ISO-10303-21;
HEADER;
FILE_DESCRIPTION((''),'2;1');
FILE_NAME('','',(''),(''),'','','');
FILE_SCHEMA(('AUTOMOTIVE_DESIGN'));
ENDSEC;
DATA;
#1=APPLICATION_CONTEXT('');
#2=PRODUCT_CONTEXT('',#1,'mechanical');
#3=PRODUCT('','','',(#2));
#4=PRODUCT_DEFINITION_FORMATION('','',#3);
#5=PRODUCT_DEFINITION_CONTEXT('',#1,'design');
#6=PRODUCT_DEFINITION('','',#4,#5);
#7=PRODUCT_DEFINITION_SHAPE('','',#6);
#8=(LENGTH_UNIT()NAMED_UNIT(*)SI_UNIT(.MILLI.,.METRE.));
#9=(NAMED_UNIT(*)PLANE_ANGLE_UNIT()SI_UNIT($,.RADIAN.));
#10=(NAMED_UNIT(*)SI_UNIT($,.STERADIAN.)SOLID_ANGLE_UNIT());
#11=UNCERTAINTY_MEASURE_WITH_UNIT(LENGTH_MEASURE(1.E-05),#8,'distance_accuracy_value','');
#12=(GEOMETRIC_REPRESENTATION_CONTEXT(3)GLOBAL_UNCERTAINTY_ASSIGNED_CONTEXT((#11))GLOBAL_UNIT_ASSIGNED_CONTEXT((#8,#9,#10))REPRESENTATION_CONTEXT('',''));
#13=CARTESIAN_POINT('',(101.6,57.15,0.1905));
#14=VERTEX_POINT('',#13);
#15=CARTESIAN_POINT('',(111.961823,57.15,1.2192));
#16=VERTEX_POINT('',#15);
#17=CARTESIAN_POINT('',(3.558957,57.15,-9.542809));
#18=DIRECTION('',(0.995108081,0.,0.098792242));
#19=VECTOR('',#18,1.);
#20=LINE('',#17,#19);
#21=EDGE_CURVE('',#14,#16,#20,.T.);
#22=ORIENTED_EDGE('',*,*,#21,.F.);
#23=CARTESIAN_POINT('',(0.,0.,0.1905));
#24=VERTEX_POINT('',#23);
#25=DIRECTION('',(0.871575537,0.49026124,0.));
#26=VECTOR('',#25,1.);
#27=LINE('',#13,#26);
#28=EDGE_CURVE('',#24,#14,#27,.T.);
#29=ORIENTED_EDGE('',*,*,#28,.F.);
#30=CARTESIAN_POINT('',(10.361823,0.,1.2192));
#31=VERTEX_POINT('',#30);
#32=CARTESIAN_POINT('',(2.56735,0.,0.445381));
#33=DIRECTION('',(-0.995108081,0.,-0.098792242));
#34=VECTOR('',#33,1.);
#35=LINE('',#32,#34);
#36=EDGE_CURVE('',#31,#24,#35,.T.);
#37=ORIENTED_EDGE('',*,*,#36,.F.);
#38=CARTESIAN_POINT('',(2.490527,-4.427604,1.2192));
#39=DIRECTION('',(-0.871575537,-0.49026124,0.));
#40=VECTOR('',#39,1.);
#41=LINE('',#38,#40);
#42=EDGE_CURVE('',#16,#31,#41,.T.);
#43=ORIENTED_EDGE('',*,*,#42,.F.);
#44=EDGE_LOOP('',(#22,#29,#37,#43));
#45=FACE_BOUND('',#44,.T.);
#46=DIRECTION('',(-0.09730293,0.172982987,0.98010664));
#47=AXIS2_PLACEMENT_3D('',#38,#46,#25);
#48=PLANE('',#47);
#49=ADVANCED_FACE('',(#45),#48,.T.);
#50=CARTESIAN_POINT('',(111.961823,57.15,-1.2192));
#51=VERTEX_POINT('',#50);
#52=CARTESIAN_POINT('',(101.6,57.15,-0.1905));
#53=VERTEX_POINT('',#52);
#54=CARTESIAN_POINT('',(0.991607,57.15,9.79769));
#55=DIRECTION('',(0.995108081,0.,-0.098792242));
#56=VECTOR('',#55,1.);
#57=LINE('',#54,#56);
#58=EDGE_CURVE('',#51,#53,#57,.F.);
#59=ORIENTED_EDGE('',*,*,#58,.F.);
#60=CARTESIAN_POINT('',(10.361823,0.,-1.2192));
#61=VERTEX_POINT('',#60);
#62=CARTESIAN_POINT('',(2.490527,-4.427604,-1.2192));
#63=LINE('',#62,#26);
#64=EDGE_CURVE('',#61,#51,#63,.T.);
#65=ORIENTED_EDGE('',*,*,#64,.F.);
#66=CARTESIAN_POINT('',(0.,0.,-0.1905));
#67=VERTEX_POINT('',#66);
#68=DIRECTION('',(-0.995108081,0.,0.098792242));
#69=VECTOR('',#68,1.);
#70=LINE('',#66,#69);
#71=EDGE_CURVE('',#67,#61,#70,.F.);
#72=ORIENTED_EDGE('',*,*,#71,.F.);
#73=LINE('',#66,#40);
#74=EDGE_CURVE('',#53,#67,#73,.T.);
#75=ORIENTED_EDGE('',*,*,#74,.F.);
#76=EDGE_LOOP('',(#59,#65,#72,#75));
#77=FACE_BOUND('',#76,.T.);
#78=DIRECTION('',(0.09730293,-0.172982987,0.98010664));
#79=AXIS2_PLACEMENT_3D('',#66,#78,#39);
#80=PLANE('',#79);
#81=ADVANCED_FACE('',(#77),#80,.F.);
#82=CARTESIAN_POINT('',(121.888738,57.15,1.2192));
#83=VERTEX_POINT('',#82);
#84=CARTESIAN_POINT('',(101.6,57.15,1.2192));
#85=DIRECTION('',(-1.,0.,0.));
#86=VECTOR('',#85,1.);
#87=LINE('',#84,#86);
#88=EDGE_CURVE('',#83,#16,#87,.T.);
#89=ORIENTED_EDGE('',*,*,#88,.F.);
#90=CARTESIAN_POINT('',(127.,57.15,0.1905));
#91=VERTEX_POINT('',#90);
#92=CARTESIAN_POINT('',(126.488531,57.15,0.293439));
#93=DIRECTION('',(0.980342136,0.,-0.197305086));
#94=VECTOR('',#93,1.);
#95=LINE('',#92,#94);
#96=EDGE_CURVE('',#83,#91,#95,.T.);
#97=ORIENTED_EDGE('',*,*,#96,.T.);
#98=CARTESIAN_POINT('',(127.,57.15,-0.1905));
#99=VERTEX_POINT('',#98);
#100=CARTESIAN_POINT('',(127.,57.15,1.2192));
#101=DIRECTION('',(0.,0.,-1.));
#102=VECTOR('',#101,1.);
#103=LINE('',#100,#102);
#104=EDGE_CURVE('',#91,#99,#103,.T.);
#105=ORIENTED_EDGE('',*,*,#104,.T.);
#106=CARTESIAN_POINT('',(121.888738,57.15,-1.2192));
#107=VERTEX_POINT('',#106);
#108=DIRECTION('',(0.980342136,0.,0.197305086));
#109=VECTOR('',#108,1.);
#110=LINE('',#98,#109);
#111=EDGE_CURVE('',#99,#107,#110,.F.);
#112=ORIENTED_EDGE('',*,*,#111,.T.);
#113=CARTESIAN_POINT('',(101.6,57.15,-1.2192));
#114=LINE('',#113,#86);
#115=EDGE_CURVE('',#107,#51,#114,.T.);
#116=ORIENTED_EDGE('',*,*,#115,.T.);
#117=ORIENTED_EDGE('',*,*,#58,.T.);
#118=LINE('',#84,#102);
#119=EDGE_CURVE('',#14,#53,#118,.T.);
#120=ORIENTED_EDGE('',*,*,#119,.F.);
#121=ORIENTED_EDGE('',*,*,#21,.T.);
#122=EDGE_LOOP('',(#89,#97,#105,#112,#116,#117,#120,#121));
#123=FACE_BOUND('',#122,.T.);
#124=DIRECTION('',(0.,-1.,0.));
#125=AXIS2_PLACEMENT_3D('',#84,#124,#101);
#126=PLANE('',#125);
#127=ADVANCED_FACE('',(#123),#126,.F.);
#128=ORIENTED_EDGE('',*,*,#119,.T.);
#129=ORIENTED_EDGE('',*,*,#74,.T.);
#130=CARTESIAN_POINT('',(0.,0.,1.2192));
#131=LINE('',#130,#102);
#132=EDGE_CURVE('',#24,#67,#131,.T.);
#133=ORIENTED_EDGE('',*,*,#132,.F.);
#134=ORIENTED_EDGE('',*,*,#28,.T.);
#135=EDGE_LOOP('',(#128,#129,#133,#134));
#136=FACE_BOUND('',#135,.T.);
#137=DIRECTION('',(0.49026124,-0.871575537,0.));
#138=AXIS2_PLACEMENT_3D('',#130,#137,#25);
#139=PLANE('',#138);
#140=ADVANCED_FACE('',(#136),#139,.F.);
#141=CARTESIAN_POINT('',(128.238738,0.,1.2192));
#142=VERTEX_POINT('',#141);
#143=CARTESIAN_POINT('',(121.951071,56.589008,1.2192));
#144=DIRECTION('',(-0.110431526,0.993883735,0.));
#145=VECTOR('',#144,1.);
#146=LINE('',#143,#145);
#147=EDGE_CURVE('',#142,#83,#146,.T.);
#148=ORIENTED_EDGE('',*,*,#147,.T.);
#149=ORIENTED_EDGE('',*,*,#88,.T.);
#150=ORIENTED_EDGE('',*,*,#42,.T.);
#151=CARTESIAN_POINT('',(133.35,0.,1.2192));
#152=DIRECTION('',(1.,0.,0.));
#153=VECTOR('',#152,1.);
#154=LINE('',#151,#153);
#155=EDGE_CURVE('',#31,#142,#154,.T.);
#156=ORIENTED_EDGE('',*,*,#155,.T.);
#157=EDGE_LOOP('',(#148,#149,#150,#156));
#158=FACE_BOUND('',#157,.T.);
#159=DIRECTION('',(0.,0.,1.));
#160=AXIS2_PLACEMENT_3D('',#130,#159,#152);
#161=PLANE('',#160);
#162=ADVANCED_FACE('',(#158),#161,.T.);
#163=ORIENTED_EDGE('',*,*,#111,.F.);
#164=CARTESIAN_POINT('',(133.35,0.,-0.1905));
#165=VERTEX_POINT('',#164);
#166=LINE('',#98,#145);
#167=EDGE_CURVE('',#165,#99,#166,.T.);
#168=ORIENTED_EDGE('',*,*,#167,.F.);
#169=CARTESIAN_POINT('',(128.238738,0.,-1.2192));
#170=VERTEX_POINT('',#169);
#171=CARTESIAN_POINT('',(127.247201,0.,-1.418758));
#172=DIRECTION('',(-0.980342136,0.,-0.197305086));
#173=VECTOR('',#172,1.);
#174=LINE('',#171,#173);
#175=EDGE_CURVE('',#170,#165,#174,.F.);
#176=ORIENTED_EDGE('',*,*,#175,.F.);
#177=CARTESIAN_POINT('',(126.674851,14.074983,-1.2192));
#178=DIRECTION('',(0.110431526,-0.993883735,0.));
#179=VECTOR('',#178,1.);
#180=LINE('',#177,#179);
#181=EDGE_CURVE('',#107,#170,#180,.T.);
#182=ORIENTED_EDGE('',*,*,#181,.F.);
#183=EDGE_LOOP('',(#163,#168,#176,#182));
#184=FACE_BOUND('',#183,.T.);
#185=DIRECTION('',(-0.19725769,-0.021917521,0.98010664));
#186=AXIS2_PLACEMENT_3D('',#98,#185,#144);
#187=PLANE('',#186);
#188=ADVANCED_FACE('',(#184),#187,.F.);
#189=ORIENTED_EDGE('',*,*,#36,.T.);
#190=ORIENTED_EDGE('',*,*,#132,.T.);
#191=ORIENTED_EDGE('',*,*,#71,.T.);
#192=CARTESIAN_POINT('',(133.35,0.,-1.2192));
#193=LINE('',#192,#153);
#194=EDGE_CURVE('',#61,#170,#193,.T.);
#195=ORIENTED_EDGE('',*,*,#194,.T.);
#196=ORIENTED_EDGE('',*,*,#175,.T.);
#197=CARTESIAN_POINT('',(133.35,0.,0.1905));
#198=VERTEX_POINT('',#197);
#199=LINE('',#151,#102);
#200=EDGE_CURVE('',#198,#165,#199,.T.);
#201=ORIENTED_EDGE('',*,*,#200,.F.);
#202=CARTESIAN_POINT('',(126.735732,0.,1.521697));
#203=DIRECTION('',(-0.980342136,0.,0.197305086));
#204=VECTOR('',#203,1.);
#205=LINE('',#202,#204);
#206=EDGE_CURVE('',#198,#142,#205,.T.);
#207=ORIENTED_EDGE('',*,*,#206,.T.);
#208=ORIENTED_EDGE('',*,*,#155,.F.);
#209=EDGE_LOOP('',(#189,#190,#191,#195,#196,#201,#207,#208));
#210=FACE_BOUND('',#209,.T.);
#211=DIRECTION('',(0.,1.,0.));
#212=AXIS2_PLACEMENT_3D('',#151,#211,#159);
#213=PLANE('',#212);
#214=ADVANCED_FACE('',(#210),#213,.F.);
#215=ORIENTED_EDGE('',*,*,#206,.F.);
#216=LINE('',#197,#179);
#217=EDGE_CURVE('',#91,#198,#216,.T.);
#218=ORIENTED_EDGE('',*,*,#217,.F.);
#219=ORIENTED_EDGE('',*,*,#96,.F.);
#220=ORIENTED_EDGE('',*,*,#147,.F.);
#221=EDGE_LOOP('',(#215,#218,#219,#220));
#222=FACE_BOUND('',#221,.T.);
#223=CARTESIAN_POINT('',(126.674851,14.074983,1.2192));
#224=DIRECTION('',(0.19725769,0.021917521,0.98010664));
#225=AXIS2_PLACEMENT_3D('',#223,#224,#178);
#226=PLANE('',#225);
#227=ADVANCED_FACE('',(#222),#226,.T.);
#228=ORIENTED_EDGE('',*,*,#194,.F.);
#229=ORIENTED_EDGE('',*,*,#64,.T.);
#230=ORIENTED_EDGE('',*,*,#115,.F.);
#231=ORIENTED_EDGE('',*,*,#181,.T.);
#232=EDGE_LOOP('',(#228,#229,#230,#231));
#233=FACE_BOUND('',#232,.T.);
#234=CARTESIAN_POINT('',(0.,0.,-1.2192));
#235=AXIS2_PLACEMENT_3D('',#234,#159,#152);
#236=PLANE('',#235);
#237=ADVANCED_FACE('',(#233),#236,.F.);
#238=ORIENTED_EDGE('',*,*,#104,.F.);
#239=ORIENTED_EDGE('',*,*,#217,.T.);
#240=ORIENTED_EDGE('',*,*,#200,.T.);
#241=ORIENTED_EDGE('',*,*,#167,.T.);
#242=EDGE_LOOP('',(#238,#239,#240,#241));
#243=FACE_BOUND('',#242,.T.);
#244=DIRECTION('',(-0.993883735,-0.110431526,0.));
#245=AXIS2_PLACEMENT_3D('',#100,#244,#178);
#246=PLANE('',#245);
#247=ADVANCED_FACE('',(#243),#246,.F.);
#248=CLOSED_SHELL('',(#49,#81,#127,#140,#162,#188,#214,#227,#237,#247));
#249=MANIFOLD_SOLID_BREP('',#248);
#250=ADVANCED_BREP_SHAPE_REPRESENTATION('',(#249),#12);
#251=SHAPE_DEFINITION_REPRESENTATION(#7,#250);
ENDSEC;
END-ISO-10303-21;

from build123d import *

# Parameters (mm, degrees)
BOSS_EXTRUDE1_DEPTH   = 1.2192
CHAMFER1_SIZE         = 5.08
CHAMFER1_SIZE2        = 1.0287
CHAMFER1_PART_2_SIZE  = 5.08
CHAMFER1_PART_2_SIZE2 = 1.0287
CHAMFER2_SIZE         = 5.08
CHAMFER2_SIZE2        = 1.0287
CHAMFER2_PART_2_SIZE  = 5.08
CHAMFER2_PART_2_SIZE2 = 1.0287


with BuildPart() as part:
    # Sketch1 → Boss-Extrude1 (new body, symmetric)
    with BuildSketch(Plane.XY):
        Polygon((0, 0), (101.6, 57.15), (127, 57.15), (133.35, 0), align=None)
    extrude(amount=BOSS_EXTRUDE1_DEPTH, both=True)

    # Chamfer1
    chamfer1_edges = [part.edges().sort_by_distance(p)[0] for p in [
        (50.8, 28.575, 1.2192),
    ]]
    chamfer1_side = [part.faces().sort_by_distance(p)[0] for p in [
        (85.09, 22.098, 1.2192),
    ]]
    chamfer(chamfer1_edges, length=CHAMFER1_SIZE, length2=CHAMFER1_SIZE2, reference=chamfer1_side[0])

    # Chamfer1 part 2
    chamfer1_part_2_edges = [part.edges().sort_by_distance(p)[0] for p in [
        (50.8, 28.575, -1.2192),
    ]]
    chamfer1_part_2_side = [part.faces().sort_by_distance(p)[0] for p in [
        (85.09, 22.098, -1.2192),
    ]]
    chamfer(chamfer1_part_2_edges, length=CHAMFER1_PART_2_SIZE, length2=CHAMFER1_PART_2_SIZE2, reference=chamfer1_part_2_side[0])

    # Chamfer2
    chamfer2_edges = [part.edges().sort_by_distance(p)[0] for p in [
        (130.175, 28.575, -1.2192),
    ]]
    chamfer2_side = [part.faces().sort_by_distance(p)[0] for p in [
        (89.460516254, 21.125525936, -1.2192),
    ]]
    chamfer(chamfer2_edges, length=CHAMFER2_SIZE, length2=CHAMFER2_SIZE2, reference=chamfer2_side[0])

    # Chamfer2 part 2
    chamfer2_part_2_edges = [part.edges().sort_by_distance(p)[0] for p in [
        (130.175, 28.575, 1.2192),
    ]]
    chamfer2_part_2_side = [part.faces().sort_by_distance(p)[0] for p in [
        (89.460516254, 21.125525936, 1.2192),
    ]]
    chamfer(chamfer2_part_2_edges, length=CHAMFER2_PART_2_SIZE, length2=CHAMFER2_PART_2_SIZE2, reference=chamfer2_part_2_side[0])


solid = part.part
